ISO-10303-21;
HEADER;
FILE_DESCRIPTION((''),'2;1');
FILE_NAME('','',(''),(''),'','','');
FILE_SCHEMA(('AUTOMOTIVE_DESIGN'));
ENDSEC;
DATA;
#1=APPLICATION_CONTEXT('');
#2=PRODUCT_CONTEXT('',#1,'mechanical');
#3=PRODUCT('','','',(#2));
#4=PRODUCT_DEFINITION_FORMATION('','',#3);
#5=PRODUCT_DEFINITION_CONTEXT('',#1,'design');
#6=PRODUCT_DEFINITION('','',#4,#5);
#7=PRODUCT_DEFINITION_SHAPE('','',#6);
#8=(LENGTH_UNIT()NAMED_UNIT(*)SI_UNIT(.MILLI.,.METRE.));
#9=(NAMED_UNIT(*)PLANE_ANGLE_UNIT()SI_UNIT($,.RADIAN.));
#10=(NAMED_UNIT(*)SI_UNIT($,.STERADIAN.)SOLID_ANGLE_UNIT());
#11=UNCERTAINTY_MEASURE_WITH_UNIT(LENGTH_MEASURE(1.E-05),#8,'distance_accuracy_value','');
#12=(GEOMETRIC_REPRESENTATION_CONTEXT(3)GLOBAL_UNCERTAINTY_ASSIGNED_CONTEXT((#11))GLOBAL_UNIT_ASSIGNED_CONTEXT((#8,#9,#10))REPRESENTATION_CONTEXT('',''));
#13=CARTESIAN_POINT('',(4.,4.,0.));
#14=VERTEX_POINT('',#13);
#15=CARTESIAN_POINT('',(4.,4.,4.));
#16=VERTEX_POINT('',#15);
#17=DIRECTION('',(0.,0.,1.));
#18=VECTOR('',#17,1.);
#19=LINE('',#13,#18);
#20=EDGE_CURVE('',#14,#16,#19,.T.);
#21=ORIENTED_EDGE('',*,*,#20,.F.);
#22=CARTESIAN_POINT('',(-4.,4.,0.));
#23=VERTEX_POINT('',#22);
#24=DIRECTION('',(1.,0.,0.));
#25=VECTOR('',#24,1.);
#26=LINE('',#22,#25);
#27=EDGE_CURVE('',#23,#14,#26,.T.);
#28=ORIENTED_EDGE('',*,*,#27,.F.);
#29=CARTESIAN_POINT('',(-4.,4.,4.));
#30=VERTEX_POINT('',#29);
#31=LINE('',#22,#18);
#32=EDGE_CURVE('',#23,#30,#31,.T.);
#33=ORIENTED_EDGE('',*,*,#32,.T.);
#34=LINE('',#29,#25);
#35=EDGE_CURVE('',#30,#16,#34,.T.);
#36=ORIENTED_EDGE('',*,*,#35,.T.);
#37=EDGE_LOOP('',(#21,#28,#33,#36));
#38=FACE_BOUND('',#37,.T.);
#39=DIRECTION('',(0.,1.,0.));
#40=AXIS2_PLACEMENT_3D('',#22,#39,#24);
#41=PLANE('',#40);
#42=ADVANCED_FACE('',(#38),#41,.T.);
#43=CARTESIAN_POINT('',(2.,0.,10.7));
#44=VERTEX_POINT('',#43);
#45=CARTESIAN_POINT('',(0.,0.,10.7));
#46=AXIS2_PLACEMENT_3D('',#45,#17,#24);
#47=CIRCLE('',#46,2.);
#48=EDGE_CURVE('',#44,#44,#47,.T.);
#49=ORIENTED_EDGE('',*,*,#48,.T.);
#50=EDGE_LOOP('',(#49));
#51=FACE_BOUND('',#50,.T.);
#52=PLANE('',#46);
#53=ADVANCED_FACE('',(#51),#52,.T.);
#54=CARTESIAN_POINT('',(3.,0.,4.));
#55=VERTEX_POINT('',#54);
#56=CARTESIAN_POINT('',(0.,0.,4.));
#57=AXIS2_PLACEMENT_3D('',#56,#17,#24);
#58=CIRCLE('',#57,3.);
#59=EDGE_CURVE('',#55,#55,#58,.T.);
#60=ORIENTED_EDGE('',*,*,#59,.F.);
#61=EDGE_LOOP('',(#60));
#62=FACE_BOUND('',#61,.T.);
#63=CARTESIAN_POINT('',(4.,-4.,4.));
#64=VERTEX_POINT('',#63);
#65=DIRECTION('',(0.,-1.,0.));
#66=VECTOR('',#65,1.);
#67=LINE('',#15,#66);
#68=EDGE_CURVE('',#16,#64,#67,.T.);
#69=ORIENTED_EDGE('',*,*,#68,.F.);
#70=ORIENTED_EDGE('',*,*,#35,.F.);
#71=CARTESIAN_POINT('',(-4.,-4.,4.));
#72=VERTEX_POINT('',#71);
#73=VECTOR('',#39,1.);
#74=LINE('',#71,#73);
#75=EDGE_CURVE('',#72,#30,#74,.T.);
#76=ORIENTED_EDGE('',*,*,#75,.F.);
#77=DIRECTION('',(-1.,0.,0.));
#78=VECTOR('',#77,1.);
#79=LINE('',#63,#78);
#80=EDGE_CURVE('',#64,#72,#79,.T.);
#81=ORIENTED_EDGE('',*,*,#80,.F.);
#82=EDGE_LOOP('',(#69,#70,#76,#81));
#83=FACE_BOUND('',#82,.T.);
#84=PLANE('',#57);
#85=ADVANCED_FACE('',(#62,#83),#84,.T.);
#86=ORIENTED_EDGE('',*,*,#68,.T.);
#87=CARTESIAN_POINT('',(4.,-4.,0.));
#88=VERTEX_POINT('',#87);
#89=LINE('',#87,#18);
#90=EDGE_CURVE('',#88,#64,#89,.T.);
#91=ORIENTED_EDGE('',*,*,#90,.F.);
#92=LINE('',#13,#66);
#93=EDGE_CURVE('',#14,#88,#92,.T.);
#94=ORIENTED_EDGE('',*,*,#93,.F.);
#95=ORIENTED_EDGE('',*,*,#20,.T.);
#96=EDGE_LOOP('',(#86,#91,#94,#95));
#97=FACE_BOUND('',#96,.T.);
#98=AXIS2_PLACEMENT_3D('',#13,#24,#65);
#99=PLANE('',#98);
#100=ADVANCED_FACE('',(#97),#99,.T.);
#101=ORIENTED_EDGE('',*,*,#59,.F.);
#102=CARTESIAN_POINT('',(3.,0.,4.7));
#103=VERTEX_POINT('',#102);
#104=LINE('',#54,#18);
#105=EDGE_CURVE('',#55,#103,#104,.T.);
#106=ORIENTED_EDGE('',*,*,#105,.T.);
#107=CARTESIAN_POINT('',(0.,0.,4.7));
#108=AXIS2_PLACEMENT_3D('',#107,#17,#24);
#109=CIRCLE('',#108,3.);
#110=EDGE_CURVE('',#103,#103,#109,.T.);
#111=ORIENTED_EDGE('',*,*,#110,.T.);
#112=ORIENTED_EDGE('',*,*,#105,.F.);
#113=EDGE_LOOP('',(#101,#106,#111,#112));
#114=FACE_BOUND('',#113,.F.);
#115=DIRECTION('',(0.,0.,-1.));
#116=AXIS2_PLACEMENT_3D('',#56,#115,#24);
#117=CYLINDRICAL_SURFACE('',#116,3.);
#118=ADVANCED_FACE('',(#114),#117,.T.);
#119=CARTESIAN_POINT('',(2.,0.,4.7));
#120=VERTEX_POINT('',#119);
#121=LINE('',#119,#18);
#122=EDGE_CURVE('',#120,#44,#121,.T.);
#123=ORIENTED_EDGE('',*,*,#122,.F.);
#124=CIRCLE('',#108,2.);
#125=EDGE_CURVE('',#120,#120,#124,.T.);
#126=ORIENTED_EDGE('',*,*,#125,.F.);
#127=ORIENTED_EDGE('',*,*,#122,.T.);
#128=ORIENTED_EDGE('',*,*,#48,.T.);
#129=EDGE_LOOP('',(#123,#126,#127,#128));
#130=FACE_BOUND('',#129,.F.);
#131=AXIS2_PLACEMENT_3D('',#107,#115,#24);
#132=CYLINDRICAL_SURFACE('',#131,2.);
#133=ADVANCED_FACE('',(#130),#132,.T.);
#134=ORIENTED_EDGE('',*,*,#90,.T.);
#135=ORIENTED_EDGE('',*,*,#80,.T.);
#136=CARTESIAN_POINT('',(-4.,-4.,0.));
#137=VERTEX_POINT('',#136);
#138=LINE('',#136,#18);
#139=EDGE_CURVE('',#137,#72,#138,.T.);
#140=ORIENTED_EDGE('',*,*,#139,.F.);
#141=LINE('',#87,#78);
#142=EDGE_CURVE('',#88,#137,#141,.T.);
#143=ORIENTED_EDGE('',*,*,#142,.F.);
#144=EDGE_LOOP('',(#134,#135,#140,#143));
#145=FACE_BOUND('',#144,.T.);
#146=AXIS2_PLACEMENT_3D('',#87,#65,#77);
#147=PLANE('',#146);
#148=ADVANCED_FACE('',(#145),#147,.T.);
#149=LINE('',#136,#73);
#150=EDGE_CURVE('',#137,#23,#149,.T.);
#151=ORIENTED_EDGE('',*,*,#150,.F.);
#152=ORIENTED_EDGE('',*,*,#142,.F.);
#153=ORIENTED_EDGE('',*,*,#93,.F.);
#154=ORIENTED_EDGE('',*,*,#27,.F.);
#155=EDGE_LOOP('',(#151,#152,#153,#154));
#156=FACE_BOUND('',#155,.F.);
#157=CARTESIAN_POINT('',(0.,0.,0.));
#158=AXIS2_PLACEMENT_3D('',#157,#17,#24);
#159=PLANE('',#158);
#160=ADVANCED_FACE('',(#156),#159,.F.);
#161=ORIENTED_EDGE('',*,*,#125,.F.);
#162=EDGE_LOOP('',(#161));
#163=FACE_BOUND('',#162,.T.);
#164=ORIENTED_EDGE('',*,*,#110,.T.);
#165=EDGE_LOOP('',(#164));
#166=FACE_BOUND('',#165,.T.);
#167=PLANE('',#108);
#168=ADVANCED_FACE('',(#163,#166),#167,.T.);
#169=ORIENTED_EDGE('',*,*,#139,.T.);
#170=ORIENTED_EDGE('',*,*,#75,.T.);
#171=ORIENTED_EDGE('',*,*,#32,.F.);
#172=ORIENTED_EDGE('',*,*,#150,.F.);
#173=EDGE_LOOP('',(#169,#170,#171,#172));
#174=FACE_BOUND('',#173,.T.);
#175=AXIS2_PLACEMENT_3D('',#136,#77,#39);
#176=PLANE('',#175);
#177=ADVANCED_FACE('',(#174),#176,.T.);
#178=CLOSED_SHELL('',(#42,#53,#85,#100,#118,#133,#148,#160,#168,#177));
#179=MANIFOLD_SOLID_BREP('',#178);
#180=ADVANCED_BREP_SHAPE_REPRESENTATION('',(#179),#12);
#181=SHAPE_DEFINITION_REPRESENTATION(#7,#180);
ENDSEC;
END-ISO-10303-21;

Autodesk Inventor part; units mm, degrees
ref_plane "YZ Plane" through (0, 0, 0) normal (1, 0, 0) x (0, 1, 0)
ref_plane "XZ Plane" through (0, 0, 0) normal (0, 1, 0) x (-1, 0, 0)
ref_plane "XY Plane" through (0, 0, 0) normal (0, 0, 1) x (1, 0, 0)
sketch "Sketch1" plane through (0, 0, 0) normal (0, 0, 1) x (1, 0, 0)
  line L0 (-4, 4) -> (4, 4)
  line L1 (4, 4) -> (4, -4)
  line L2 (4, -4) -> (-4, -4)
  line L3 (-4, -4) -> (-4, 4)
  line L4 (-4, -4) -> (4, 4) construction
  point P0 (0, 0)
  point P1 (0, 0)
  dimension "d0" = 8
extrude "Extrusion1" add sketch "Sketch1" along normal blind 4
sketch "Sketch2" plane through (0, 0, 4) normal (0, 0, 1) x (1, 0, 0)
  circle A0 centre (0, 0) radius 3
  dimension "d3" = 6
extrude "Extrusion2" add sketch "Sketch2" along normal blind 0.7
sketch "Sketch3" plane through (0, 0, 4.7) normal (0, 0, 1) x (1, 0, 0)
  circle A0 centre (0, 0) radius 2
  dimension "d6" = 4
extrude "Extrusion3" add sketch "Sketch3" along normal blind 6
properties part number "Arm - forearm v2 3"
